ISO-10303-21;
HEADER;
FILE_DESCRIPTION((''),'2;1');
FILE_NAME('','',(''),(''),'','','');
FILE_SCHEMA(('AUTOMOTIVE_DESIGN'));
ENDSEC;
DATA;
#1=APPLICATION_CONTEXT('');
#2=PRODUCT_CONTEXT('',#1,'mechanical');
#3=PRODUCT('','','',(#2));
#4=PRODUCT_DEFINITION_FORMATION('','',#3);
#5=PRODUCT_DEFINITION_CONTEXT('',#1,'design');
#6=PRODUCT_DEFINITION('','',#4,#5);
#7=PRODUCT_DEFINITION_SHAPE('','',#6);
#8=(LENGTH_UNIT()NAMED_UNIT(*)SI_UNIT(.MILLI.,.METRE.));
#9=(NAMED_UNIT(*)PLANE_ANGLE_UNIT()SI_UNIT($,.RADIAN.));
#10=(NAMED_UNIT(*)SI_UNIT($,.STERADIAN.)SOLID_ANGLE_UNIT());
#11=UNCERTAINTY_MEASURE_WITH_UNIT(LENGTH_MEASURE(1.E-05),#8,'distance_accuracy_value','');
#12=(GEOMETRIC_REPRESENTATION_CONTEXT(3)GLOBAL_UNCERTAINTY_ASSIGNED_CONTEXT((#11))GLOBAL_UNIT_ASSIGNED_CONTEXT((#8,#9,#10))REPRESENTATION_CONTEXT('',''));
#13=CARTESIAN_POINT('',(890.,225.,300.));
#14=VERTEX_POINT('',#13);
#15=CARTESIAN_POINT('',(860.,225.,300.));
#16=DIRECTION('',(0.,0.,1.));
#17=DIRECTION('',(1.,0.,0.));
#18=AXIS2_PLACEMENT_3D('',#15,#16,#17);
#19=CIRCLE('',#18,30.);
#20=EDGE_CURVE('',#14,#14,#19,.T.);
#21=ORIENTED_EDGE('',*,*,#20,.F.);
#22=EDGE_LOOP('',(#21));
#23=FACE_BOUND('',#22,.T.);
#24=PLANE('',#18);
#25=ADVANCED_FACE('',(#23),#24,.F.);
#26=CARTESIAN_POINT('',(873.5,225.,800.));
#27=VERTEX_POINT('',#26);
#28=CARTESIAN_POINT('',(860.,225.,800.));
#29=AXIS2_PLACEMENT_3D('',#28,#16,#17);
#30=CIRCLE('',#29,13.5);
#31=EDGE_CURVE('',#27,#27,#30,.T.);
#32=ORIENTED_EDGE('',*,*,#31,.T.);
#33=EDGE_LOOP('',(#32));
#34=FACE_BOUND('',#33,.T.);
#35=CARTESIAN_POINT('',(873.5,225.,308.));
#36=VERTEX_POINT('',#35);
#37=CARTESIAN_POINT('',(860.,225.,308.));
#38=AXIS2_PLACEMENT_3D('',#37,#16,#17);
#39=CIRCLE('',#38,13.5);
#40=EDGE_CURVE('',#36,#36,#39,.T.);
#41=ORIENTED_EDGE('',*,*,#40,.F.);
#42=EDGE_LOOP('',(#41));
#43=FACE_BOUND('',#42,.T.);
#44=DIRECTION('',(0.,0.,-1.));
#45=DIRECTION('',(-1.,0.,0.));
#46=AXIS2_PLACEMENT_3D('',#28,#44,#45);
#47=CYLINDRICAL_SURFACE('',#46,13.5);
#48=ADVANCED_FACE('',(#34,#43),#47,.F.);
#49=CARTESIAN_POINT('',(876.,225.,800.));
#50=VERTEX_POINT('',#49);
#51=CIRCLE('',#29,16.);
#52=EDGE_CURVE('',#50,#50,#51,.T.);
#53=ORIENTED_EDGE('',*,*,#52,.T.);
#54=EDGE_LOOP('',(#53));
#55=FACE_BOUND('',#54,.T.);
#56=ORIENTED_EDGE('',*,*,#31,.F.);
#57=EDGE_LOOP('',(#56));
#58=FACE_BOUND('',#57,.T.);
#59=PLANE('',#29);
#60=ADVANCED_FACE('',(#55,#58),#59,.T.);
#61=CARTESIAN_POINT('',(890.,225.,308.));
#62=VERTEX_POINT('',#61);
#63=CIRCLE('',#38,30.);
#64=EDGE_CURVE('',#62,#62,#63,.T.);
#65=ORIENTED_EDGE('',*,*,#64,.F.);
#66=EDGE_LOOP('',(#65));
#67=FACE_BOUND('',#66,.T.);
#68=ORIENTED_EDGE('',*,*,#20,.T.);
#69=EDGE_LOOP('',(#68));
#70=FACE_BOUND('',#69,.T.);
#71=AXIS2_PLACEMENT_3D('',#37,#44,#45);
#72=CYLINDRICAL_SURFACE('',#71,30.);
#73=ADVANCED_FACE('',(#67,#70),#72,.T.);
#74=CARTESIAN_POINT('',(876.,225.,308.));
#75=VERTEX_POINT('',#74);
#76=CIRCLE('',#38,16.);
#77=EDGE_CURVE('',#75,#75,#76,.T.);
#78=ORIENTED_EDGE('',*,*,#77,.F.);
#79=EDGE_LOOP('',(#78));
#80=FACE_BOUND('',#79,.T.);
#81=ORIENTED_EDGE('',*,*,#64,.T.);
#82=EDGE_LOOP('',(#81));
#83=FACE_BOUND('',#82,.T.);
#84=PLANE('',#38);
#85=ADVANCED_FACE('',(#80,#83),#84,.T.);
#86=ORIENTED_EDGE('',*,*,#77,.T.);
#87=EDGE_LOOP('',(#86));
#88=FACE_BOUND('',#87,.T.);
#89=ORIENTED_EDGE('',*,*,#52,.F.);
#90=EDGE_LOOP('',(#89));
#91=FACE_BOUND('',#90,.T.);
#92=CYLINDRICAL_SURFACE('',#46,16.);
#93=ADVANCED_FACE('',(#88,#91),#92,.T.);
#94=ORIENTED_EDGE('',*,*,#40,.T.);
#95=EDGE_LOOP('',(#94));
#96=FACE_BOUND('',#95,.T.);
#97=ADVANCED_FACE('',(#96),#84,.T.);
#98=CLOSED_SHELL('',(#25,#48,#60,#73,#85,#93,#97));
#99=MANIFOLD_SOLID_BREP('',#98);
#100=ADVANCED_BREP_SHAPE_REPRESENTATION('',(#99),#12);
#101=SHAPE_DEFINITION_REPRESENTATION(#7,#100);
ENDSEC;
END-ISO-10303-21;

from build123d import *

# Parameters (mm, degrees)
EXTRUDE_START        = 300
EXTRUDE_SKETCH_1_R   = 30
EXTRUDE_1_DEPTH      = 8
EXTRUDE_START_2      = 308
EXTRUDE_SKETCH_2_R   = 16
EXTRUDE_SKETCH_2_R_2 = 13.5
EXTRUDE_2_DEPTH      = 492


with BuildPart() as part:
    # Extrude sketch 1 → Extrude 1 (new body)
    with BuildSketch(Plane.XY.offset(EXTRUDE_START)):
        with Locations((860, 225)):
            Circle(EXTRUDE_SKETCH_1_R)
    extrude(amount=EXTRUDE_1_DEPTH)


with BuildPart() as body_2:
    # Extrude sketch 2 → Extrude 2 (new body)
    with BuildSketch(Plane.XY.offset(EXTRUDE_START_2)):
        with Locations((860, 225)):
            Circle(EXTRUDE_SKETCH_2_R)
        with Locations((860, 225)):
            Circle(EXTRUDE_SKETCH_2_R_2, mode=Mode.SUBTRACT)
    extrude(amount=EXTRUDE_2_DEPTH)


with BuildPart() as part_1:
    add(part.part)

    # Combine (weld / assembly of features): union body 2
    add(body_2.part)


solid = part_1.part
